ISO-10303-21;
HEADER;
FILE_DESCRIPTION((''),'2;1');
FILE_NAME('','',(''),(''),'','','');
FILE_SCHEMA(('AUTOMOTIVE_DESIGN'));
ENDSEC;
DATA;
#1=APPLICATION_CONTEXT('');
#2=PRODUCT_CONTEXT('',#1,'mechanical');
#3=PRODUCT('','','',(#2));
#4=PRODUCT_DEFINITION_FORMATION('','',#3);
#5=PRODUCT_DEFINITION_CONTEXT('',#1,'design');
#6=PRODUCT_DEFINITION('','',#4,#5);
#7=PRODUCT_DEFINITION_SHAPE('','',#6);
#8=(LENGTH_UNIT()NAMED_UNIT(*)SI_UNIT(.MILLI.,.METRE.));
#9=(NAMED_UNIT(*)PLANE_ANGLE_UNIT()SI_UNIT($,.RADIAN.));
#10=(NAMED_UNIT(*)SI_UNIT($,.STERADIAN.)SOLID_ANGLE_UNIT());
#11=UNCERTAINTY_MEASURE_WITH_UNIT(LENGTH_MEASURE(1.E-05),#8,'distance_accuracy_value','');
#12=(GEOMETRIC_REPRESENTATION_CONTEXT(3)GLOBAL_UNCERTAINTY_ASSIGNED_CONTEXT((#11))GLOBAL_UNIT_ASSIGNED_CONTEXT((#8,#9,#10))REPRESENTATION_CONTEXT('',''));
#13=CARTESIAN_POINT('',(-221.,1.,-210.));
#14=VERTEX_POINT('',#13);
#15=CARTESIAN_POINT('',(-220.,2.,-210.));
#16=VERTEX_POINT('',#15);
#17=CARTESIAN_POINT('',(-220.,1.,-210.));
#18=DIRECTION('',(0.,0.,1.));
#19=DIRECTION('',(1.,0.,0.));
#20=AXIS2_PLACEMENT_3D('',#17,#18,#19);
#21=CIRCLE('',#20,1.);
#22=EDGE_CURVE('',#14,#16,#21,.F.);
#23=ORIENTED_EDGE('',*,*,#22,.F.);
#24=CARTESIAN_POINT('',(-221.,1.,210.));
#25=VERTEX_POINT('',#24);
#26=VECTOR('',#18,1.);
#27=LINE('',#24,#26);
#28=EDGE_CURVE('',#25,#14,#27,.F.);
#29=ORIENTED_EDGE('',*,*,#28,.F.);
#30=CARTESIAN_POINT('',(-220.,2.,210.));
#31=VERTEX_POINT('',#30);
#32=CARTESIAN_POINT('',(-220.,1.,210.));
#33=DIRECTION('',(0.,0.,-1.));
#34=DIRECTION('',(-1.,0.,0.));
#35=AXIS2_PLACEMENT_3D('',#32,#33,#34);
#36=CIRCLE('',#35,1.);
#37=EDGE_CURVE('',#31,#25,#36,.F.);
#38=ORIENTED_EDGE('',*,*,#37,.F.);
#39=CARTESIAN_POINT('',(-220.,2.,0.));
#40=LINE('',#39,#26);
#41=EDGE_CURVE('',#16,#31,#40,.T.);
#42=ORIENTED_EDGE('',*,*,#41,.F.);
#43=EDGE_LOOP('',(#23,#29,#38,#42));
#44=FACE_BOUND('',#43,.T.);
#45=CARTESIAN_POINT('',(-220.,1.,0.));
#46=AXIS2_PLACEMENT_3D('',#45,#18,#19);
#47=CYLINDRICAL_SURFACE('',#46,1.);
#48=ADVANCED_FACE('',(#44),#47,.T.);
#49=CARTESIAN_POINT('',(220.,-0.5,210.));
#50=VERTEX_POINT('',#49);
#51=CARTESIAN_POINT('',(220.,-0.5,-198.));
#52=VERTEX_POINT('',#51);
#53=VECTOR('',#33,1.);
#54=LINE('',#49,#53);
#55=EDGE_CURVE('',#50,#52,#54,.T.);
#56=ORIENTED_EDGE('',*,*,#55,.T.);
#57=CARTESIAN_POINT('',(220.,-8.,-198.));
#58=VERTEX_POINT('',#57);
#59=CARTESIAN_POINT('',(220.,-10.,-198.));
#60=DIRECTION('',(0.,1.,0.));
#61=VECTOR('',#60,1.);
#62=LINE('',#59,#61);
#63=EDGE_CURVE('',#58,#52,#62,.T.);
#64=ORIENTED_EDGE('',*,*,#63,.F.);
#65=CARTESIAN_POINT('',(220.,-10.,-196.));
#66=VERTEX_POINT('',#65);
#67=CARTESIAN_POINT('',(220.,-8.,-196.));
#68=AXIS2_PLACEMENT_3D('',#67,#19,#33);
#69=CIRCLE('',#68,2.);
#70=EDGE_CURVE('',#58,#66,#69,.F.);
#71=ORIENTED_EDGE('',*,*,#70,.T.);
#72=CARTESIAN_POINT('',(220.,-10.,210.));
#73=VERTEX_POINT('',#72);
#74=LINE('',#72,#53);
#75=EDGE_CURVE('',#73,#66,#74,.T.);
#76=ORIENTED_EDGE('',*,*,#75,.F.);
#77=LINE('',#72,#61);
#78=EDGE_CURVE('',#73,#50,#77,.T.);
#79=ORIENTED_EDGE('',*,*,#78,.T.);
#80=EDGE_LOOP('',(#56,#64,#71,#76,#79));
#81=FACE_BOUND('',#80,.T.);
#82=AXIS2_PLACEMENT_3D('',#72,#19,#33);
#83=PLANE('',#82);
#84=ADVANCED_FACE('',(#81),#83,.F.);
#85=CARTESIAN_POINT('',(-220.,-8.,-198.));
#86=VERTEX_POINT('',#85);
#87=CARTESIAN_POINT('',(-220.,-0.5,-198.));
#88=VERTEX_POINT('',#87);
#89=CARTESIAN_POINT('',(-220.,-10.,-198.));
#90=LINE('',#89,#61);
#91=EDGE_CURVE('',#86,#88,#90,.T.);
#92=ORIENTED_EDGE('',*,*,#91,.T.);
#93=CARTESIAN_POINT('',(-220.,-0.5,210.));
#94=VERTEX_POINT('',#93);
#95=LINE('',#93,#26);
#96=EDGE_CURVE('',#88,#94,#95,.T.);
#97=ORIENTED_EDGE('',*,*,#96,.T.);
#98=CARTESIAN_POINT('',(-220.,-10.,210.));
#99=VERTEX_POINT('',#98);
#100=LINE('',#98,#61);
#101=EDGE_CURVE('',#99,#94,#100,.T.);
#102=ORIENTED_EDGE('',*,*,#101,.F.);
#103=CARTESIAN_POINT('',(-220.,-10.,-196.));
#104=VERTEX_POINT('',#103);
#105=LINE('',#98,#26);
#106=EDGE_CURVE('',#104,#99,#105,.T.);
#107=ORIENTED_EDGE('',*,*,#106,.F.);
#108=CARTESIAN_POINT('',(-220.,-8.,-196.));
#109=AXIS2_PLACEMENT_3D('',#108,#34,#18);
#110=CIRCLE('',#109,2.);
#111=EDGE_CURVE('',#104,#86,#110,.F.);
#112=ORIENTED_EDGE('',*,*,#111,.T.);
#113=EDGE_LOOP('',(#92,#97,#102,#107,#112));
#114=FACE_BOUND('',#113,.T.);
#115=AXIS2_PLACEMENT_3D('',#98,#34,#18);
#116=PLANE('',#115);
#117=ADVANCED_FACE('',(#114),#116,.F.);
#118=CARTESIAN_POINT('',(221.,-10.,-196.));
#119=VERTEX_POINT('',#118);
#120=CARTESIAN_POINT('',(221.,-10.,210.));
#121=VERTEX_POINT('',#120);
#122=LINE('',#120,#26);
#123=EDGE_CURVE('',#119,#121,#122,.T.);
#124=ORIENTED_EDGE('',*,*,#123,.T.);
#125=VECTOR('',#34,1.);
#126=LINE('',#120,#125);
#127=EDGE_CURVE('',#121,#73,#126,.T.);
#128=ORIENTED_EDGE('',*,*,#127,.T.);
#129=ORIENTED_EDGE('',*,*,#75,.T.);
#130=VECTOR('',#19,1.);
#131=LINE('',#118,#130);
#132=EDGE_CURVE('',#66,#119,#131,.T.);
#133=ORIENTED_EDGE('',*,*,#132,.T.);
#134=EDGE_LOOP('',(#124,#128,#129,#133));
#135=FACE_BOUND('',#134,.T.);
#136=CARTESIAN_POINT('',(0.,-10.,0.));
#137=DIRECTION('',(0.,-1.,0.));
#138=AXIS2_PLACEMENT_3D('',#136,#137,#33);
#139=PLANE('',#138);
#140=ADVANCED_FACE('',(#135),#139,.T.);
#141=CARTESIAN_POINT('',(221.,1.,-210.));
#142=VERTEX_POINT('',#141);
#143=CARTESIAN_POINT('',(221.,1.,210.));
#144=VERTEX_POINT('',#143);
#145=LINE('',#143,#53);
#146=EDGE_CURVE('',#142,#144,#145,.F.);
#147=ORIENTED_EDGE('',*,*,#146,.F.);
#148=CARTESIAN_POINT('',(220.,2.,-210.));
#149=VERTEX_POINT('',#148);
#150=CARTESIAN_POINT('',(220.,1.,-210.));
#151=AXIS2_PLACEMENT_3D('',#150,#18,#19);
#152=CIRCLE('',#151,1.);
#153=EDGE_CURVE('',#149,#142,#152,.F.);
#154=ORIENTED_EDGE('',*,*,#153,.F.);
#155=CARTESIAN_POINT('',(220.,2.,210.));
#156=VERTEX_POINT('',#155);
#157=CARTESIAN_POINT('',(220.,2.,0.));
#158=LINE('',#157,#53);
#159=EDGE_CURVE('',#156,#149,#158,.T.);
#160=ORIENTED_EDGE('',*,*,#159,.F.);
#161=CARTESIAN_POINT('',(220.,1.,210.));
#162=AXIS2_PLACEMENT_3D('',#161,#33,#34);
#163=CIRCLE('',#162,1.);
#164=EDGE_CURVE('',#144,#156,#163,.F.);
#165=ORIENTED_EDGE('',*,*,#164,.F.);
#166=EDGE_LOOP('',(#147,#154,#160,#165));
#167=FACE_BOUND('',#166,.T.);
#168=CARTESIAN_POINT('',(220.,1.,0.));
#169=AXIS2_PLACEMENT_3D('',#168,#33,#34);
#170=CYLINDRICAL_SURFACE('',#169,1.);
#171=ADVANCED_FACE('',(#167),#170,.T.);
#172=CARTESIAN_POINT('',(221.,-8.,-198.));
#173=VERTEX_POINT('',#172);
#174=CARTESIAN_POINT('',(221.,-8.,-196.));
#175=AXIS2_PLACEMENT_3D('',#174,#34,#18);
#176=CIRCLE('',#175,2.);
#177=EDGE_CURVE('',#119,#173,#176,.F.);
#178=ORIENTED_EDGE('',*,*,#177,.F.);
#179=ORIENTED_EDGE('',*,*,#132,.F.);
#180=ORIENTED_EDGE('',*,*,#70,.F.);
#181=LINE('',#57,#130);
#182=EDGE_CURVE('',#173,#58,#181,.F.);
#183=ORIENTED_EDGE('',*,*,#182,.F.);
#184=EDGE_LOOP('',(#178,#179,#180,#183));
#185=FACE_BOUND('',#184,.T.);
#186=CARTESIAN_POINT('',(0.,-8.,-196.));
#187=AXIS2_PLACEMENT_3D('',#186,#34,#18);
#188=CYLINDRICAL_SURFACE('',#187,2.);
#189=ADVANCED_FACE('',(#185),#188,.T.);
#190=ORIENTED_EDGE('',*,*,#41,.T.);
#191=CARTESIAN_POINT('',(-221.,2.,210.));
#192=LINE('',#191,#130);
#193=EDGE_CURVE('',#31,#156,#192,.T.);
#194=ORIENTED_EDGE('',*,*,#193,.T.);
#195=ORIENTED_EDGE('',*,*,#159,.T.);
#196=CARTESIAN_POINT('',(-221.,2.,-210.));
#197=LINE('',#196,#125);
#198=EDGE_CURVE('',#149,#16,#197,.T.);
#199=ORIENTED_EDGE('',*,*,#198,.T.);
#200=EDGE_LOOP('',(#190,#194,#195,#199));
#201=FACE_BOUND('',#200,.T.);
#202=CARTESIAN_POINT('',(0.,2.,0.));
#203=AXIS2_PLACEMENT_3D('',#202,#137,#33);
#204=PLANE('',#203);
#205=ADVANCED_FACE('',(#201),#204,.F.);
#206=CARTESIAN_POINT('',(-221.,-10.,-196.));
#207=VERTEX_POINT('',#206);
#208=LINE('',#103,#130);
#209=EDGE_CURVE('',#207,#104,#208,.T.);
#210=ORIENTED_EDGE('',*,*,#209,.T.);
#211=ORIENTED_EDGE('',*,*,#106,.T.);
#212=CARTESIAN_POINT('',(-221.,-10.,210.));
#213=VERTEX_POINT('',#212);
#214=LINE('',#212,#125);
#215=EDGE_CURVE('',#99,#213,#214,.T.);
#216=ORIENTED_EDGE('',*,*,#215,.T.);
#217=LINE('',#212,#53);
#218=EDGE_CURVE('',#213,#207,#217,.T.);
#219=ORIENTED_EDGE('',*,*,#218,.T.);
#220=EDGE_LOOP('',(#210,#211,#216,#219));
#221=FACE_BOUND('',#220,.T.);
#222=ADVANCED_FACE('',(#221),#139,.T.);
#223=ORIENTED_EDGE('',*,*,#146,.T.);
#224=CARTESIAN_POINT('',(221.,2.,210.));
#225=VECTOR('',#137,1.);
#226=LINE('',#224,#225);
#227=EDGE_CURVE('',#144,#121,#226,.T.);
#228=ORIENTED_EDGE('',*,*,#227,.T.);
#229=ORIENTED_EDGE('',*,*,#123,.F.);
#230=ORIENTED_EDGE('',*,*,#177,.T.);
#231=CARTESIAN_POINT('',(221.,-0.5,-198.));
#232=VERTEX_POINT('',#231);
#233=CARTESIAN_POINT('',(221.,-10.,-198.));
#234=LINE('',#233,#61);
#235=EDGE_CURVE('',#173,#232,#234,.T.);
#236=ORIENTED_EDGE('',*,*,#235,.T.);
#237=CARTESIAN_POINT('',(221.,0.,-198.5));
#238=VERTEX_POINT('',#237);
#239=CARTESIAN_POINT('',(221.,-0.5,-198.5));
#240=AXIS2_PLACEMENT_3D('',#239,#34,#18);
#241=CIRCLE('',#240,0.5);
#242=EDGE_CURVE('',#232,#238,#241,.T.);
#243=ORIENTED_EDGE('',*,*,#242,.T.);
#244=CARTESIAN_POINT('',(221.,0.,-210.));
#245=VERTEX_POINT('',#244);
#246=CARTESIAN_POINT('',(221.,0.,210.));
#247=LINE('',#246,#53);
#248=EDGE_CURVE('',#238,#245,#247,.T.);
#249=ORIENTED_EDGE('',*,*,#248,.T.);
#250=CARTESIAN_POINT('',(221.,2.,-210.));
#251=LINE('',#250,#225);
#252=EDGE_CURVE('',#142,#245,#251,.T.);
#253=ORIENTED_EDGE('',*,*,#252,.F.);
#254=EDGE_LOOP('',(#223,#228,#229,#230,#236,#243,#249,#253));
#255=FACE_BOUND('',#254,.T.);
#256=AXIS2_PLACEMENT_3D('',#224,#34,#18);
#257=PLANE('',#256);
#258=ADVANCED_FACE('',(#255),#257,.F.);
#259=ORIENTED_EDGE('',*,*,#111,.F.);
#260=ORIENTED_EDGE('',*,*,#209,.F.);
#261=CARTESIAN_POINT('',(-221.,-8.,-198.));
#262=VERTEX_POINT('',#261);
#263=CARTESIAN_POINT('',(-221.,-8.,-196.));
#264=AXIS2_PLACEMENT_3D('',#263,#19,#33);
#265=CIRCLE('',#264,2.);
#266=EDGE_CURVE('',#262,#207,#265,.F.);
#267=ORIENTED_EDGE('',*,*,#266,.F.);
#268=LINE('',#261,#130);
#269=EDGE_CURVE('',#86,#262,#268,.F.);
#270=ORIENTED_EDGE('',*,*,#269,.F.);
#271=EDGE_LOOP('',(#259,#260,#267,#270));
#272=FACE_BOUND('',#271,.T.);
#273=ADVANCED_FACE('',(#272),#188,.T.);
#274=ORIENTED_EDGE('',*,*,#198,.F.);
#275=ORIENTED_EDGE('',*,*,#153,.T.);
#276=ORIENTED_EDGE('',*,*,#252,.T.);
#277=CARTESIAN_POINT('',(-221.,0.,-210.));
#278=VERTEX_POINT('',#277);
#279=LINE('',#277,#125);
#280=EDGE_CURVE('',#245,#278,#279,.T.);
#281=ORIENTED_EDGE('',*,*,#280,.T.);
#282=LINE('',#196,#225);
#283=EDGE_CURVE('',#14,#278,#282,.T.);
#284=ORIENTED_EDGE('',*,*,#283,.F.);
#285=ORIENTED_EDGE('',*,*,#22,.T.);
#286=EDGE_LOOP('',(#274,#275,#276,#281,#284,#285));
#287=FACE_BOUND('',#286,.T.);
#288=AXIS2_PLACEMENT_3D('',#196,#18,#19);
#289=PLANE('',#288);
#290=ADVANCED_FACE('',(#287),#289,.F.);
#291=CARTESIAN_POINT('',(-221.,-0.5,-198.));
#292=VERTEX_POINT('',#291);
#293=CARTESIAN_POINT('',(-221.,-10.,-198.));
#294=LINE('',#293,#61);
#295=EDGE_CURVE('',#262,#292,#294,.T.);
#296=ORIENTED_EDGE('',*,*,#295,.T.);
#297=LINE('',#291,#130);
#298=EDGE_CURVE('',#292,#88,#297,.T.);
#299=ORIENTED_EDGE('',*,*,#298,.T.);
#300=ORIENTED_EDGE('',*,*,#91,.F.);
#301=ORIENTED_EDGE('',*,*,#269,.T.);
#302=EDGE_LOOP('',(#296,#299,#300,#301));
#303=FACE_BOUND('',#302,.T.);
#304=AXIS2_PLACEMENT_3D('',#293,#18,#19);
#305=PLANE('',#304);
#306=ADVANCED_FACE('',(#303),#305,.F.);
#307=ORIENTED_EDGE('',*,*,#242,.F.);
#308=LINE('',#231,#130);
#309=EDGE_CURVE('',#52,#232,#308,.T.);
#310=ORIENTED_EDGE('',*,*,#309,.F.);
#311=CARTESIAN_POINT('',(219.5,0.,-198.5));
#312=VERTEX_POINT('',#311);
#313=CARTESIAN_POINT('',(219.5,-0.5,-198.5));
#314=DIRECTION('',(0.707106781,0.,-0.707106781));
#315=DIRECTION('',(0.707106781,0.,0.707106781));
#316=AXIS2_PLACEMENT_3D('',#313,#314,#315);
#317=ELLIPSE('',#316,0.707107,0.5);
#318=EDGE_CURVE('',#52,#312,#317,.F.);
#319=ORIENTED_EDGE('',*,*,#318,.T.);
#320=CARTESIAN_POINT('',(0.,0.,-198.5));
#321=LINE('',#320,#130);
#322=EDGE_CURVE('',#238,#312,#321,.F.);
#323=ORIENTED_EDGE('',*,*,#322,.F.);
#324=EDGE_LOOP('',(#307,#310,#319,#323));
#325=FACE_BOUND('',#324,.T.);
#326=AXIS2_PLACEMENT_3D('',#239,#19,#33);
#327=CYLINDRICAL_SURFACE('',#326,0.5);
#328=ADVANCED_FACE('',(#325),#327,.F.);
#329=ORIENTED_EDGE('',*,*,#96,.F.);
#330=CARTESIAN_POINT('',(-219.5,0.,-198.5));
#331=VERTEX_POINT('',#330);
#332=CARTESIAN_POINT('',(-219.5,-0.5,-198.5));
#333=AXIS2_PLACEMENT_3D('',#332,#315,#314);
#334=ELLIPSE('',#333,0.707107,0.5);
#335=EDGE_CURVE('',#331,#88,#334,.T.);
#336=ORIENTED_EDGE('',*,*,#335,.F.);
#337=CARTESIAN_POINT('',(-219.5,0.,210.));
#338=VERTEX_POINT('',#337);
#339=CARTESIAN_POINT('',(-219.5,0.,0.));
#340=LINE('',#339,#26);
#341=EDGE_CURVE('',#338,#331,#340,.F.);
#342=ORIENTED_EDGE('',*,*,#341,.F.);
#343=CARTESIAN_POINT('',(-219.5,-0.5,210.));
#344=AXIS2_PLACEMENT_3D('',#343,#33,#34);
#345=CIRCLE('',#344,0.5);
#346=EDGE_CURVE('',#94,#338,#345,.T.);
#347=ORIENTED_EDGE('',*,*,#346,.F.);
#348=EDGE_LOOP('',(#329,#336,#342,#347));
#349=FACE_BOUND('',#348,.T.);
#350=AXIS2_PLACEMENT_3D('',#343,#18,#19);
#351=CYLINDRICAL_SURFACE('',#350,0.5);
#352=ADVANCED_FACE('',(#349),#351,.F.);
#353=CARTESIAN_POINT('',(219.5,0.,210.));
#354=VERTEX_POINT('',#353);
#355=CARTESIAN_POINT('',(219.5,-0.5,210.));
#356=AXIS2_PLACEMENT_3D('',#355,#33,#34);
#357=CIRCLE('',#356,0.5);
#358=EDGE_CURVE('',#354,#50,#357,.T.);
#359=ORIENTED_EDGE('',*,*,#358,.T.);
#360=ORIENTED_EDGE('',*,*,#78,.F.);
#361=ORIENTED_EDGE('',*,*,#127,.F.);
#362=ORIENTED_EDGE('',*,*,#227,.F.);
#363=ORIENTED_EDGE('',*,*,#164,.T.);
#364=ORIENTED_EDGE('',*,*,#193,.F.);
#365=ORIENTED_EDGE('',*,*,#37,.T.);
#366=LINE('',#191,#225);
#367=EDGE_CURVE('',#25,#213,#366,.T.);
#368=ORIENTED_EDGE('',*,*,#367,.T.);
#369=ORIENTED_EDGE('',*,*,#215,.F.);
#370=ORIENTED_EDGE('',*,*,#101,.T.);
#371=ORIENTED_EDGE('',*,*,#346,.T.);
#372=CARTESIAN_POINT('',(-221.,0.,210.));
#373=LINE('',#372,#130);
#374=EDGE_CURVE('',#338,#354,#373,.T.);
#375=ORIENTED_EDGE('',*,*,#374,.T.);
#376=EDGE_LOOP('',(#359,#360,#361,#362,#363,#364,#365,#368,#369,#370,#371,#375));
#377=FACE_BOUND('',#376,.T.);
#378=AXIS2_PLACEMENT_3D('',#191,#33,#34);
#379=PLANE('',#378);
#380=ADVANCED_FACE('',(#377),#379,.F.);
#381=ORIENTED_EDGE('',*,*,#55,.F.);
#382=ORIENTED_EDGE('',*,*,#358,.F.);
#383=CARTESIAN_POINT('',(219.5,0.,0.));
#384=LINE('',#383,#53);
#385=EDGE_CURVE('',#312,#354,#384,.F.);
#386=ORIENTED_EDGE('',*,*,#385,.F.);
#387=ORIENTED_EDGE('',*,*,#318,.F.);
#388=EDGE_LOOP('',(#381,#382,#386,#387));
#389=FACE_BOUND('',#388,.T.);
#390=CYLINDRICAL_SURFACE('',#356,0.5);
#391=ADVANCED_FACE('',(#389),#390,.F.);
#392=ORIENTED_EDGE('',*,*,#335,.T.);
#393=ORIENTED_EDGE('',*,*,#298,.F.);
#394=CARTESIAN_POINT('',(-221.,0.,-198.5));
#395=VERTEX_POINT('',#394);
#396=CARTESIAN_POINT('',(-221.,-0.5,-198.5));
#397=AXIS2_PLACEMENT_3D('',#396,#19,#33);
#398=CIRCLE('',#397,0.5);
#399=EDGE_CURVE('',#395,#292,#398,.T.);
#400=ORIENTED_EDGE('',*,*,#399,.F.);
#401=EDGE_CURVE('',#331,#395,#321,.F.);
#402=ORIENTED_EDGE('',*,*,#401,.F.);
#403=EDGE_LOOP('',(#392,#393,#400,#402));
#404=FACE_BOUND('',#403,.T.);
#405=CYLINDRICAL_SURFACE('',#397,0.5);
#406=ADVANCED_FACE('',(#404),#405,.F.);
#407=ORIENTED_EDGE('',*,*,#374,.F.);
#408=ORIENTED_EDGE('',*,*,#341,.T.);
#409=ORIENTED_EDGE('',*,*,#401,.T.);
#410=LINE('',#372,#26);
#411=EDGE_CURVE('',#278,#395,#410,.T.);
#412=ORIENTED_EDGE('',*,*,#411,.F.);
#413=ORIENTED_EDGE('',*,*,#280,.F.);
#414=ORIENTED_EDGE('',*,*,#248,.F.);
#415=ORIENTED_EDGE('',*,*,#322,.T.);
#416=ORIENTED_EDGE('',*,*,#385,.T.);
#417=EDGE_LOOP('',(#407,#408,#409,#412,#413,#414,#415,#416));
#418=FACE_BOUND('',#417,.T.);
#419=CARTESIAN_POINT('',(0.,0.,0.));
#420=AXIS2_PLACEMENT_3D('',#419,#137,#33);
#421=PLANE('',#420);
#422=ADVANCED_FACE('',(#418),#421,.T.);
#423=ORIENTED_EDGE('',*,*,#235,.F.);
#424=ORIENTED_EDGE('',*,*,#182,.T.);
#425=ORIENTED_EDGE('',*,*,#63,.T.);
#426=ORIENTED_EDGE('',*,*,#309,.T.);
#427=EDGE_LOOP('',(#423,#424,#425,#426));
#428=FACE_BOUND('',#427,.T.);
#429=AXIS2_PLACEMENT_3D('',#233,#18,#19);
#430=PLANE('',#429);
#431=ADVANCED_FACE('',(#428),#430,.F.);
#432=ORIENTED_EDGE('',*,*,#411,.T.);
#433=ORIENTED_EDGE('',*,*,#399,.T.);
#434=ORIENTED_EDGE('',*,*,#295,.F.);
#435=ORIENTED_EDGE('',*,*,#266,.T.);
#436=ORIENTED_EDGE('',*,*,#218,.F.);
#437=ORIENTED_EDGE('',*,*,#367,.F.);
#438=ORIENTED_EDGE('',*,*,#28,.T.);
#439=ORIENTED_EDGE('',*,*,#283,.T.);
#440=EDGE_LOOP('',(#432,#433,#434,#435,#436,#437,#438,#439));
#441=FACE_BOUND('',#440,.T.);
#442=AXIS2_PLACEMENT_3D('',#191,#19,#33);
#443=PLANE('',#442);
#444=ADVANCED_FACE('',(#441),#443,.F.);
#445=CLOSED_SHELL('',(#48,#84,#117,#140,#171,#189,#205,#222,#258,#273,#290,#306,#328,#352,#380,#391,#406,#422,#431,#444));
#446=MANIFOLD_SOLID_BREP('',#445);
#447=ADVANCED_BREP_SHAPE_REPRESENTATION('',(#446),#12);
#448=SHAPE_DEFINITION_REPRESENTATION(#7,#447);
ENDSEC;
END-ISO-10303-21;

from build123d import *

# Parameters (mm, degrees)
SKETCH1_W           = 442
SKETCH1_H           = 420
BOSS_EXTRUDE1_DEPTH = 2
SKETCH2_W           = 1
SKETCH2_H           = 408
BOSS_EXTRUDE2_DEPTH = 10
FILLET1_R           = 2
FILLET2_R           = 0.5
FILLET3_R           = 1
FILLET4_R           = 0.5


with BuildPart() as part:
    # Sketch1 → Boss-Extrude1 (new body)
    with BuildSketch(Plane(origin=(0, 0, 0), x_dir=(1, 0, 0), z_dir=(0, 1, 0))):
        Rectangle(SKETCH1_W, SKETCH1_H)
    extrude(amount=BOSS_EXTRUDE1_DEPTH)

    # Sketch2 → Boss-Extrude2 (add)
    with BuildSketch(Plane.XZ):
        with Locations((220.5, 6)):
            Rectangle(SKETCH2_W, SKETCH2_H)
        with Locations((-220.5, 6)):
            Rectangle(SKETCH2_W, SKETCH2_H)
    extrude(amount=BOSS_EXTRUDE2_DEPTH)

    # Fillet1
    fillet1_edges = [part.edges().sort_by_distance(p)[0] for p in [
        (-220.5, -10, -198),
        (220.5, -10, -198),
    ]]
    fillet(fillet1_edges, radius=FILLET1_R)

    # Fillet2
    fillet2_edges = [part.edges().sort_by_distance(p)[0] for p in [
        (-220.5, 0, -198),
        (220.5, 0, -198),
    ]]
    fillet(fillet2_edges, radius=FILLET2_R)

    # Fillet3
    fillet3_edges = [part.edges().sort_by_distance(p)[0] for p in [
        (-221, 2, 0),
        (221, 2, 0),
    ]]
    fillet(fillet3_edges, radius=FILLET3_R)

    # Fillet4
    fillet4_edges = [part.edges().sort_by_distance(p)[0] for p in [
        (-220, 0, 5.75),
        (220, 0, 5.75),
    ]]
    fillet(fillet4_edges, radius=FILLET4_R)


solid = part.part
